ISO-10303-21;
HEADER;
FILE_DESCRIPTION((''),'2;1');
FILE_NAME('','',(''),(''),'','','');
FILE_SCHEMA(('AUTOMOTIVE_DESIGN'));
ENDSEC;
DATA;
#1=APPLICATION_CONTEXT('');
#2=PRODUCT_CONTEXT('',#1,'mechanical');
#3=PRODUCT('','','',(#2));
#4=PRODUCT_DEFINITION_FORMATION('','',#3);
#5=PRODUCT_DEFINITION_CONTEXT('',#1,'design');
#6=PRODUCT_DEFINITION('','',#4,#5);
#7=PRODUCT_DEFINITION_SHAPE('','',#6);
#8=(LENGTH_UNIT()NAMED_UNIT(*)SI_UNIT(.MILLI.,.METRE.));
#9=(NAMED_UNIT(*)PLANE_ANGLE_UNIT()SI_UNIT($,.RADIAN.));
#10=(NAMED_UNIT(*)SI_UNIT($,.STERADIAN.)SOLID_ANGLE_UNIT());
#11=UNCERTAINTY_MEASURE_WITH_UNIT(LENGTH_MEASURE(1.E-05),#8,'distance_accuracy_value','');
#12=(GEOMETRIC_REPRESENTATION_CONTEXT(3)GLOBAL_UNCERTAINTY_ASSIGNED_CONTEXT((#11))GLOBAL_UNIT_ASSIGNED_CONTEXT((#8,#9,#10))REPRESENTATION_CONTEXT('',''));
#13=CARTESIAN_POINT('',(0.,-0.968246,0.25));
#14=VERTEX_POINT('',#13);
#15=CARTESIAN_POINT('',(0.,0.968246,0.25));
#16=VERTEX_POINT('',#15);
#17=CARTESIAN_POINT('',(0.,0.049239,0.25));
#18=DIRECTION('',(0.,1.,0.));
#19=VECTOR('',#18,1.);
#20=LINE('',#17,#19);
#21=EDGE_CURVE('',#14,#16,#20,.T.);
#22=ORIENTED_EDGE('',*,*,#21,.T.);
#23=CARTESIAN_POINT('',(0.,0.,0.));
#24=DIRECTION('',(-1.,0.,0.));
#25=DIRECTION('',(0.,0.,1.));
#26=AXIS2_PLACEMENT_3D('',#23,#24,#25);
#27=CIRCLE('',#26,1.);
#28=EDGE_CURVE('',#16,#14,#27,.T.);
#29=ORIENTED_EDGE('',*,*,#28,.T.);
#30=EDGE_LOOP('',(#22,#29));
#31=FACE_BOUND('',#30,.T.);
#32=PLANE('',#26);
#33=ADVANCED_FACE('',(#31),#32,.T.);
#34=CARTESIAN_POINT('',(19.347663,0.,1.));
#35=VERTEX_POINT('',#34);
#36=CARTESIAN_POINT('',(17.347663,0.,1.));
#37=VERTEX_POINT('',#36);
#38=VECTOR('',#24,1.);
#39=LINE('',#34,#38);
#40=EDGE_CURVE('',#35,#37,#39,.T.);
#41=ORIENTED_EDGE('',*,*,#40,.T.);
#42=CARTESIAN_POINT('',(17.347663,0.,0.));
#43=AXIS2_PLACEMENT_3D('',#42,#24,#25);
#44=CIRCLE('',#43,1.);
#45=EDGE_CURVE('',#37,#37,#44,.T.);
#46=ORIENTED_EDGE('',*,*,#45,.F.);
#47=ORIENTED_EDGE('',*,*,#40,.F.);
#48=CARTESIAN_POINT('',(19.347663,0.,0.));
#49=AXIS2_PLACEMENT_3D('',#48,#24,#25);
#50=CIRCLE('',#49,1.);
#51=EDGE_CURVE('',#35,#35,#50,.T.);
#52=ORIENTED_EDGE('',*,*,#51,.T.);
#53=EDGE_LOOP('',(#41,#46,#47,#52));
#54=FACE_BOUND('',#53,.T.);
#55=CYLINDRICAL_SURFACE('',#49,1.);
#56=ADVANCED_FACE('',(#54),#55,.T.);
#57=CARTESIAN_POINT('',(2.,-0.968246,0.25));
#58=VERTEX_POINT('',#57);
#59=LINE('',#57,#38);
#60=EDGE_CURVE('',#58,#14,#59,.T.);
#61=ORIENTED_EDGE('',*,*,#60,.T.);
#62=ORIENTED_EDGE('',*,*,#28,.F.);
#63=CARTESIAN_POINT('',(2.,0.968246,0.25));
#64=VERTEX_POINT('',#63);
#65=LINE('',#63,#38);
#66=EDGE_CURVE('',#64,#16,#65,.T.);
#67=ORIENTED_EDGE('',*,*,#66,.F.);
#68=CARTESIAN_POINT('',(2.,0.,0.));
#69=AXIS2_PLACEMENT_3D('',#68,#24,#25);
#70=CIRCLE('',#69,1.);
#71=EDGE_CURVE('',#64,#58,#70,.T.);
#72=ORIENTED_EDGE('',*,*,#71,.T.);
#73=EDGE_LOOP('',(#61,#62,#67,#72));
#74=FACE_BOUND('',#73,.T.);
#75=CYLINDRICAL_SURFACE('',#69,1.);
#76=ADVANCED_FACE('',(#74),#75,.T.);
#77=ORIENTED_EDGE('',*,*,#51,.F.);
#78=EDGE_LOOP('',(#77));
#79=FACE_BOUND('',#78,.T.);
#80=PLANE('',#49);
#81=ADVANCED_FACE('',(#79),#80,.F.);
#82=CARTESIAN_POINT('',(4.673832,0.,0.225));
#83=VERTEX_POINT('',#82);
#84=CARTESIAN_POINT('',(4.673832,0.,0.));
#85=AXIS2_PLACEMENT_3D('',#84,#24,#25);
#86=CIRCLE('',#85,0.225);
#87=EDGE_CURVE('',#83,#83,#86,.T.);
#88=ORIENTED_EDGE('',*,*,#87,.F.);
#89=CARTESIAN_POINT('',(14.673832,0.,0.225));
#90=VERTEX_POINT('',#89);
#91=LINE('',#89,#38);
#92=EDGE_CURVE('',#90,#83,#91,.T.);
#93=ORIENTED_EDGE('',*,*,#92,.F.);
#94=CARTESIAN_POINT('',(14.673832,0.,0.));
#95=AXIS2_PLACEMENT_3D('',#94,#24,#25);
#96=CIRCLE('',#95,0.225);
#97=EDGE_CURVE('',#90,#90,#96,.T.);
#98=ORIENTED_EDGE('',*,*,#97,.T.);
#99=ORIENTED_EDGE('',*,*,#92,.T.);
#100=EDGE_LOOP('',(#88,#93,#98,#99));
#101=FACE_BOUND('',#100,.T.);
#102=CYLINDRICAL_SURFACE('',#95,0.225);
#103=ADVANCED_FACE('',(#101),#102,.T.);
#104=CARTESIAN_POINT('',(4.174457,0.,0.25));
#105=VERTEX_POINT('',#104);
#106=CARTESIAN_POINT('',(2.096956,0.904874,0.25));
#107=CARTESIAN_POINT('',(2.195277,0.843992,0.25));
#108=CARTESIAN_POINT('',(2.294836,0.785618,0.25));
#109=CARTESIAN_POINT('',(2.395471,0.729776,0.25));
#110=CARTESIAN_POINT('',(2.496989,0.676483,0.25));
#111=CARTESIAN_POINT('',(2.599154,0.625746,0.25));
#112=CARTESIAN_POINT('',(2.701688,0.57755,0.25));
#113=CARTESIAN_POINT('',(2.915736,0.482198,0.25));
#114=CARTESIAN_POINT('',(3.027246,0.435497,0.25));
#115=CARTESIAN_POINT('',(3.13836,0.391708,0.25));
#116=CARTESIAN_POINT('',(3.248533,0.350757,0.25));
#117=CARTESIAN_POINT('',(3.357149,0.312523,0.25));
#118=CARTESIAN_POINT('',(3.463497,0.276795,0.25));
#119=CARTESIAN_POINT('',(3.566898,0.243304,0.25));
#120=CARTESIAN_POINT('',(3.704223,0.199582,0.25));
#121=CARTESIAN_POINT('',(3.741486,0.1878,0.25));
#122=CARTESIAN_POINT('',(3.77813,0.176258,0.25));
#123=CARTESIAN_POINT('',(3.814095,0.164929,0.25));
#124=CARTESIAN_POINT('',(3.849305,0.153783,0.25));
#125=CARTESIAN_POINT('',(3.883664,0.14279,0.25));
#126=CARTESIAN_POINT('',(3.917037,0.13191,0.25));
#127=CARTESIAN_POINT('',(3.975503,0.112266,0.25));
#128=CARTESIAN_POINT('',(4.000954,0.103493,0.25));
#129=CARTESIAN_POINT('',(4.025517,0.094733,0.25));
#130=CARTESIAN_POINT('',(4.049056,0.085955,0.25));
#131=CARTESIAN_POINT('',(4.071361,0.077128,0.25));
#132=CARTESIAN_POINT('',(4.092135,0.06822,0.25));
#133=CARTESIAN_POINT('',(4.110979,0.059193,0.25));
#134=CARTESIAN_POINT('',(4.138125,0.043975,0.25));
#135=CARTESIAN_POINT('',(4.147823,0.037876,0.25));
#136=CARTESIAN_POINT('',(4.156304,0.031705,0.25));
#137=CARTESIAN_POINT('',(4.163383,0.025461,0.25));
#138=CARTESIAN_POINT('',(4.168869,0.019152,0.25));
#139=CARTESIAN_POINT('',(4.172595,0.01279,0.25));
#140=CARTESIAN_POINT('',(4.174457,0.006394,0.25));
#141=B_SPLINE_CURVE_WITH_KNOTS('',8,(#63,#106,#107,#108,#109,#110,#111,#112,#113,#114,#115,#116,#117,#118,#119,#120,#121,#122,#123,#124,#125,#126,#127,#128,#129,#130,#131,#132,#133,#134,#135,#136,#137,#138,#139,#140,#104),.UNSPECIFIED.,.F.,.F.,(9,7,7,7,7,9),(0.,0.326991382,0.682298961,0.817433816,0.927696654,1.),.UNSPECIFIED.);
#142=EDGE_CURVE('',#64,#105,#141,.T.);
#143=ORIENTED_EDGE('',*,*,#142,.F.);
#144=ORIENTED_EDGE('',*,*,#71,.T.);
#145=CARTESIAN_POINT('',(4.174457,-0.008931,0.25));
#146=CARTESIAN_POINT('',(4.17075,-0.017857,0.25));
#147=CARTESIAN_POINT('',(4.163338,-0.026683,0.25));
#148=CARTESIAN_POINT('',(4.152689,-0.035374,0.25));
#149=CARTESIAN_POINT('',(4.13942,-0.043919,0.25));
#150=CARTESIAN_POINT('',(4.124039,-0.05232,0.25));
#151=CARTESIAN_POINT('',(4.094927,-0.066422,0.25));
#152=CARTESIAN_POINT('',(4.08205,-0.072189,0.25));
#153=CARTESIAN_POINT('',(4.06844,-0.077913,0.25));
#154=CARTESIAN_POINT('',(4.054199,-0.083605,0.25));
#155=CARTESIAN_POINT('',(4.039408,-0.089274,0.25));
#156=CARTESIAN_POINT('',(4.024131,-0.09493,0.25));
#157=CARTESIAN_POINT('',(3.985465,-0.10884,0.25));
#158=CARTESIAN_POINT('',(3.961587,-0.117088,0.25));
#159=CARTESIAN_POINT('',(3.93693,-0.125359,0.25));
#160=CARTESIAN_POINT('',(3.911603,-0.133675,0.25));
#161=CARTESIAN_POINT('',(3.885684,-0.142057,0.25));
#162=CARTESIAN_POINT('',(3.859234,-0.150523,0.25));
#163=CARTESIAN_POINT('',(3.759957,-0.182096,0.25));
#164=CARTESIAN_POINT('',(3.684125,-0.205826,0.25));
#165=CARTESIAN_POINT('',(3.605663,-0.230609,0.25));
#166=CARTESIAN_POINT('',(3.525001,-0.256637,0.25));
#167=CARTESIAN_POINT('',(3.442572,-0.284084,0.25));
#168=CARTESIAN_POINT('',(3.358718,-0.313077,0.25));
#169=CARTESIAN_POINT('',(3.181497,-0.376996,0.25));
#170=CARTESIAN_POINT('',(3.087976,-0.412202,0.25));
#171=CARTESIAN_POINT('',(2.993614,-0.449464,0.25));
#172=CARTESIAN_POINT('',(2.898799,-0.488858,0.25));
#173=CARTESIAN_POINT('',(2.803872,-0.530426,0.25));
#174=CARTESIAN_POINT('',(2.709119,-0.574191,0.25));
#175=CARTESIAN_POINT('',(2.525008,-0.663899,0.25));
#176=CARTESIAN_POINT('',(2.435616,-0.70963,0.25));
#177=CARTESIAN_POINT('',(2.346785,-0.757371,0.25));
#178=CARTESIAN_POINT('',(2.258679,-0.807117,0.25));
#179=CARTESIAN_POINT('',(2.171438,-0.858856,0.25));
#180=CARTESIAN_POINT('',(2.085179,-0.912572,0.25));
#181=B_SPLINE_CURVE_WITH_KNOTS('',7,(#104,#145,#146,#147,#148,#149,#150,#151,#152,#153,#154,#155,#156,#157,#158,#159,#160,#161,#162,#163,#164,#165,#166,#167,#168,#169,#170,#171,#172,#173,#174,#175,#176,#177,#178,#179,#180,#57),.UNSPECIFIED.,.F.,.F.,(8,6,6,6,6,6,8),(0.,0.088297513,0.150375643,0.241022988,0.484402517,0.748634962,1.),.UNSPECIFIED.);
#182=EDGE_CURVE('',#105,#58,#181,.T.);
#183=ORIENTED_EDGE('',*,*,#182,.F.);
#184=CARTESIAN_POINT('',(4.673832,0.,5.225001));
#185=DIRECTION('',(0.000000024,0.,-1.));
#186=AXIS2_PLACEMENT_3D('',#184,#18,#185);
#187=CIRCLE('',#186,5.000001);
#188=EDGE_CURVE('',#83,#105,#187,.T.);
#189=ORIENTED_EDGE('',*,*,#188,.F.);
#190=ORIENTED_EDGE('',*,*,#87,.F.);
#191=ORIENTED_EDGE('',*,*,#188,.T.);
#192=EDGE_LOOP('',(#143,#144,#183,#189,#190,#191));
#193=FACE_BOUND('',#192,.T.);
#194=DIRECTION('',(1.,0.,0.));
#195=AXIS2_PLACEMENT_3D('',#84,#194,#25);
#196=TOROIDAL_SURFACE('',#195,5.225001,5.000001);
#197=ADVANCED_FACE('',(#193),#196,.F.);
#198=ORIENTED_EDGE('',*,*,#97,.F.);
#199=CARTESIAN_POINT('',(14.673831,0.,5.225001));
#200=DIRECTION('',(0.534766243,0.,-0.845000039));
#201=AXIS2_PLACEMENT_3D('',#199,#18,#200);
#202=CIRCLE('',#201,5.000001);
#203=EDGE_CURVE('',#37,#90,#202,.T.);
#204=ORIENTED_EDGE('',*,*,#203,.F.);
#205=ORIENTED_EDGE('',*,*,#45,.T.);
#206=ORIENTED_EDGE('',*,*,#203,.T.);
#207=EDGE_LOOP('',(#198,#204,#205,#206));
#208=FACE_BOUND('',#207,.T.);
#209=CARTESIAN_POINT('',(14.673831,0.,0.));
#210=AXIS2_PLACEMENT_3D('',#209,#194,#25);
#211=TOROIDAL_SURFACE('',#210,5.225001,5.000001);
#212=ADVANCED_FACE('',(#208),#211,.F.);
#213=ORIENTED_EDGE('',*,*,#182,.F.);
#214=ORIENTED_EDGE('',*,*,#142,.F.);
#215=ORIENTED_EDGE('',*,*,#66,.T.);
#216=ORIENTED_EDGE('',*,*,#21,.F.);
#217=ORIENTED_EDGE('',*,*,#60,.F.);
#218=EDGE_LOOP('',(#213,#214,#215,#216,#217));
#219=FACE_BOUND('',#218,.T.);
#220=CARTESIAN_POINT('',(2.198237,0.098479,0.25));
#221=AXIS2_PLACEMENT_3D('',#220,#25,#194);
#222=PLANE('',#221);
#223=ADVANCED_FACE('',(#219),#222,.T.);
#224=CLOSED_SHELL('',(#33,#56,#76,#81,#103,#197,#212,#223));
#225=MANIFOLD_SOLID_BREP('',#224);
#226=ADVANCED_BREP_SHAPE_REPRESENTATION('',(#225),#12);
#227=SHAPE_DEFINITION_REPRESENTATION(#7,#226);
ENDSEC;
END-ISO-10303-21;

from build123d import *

# Parameters (mm, degrees)
F3_W     = 5.571197
F3_H     = 3.305577
F4_DEPTH = 2.35


with BuildPart() as f1:
    # F0 (on Front) → F1 (revolve)
    with BuildSketch(Plane.XZ):
        with BuildLine():
            Line((0, 1), (0, 0))
            Line((0, 0), (9.673832, 0))
            Line((9.673832, 0), (19.347663, 0))
            Line((19.347663, 0), (19.347663, 1))
            Line((19.347663, 1), (17.347663, 1))
            ThreePointArc((17.347663, 1), (16.065773, 0.422657), (14.673832, 0.225))
            Line((14.673832, 0.225), (9.673832, 0.225))
            Line((9.673832, 0.225), (4.673832, 0.225))
            ThreePointArc((4.673832, 0.225), (3.28189, 0.422657), (2, 1))
            Line((2, 1), (0, 1))
        make_face()
    revolve(axis=Axis((3.460914, 0, 0), (-1, 0, 0)))

    # F3 (on offset) → F4 (cut)
    with BuildSketch(Plane.XY.offset(2.6)):
        with Locations((2.198237, 0.098479)):
            Rectangle(F3_W, F3_H)
    extrude(amount=-F4_DEPTH, mode=Mode.SUBTRACT)


solid = f1.part
